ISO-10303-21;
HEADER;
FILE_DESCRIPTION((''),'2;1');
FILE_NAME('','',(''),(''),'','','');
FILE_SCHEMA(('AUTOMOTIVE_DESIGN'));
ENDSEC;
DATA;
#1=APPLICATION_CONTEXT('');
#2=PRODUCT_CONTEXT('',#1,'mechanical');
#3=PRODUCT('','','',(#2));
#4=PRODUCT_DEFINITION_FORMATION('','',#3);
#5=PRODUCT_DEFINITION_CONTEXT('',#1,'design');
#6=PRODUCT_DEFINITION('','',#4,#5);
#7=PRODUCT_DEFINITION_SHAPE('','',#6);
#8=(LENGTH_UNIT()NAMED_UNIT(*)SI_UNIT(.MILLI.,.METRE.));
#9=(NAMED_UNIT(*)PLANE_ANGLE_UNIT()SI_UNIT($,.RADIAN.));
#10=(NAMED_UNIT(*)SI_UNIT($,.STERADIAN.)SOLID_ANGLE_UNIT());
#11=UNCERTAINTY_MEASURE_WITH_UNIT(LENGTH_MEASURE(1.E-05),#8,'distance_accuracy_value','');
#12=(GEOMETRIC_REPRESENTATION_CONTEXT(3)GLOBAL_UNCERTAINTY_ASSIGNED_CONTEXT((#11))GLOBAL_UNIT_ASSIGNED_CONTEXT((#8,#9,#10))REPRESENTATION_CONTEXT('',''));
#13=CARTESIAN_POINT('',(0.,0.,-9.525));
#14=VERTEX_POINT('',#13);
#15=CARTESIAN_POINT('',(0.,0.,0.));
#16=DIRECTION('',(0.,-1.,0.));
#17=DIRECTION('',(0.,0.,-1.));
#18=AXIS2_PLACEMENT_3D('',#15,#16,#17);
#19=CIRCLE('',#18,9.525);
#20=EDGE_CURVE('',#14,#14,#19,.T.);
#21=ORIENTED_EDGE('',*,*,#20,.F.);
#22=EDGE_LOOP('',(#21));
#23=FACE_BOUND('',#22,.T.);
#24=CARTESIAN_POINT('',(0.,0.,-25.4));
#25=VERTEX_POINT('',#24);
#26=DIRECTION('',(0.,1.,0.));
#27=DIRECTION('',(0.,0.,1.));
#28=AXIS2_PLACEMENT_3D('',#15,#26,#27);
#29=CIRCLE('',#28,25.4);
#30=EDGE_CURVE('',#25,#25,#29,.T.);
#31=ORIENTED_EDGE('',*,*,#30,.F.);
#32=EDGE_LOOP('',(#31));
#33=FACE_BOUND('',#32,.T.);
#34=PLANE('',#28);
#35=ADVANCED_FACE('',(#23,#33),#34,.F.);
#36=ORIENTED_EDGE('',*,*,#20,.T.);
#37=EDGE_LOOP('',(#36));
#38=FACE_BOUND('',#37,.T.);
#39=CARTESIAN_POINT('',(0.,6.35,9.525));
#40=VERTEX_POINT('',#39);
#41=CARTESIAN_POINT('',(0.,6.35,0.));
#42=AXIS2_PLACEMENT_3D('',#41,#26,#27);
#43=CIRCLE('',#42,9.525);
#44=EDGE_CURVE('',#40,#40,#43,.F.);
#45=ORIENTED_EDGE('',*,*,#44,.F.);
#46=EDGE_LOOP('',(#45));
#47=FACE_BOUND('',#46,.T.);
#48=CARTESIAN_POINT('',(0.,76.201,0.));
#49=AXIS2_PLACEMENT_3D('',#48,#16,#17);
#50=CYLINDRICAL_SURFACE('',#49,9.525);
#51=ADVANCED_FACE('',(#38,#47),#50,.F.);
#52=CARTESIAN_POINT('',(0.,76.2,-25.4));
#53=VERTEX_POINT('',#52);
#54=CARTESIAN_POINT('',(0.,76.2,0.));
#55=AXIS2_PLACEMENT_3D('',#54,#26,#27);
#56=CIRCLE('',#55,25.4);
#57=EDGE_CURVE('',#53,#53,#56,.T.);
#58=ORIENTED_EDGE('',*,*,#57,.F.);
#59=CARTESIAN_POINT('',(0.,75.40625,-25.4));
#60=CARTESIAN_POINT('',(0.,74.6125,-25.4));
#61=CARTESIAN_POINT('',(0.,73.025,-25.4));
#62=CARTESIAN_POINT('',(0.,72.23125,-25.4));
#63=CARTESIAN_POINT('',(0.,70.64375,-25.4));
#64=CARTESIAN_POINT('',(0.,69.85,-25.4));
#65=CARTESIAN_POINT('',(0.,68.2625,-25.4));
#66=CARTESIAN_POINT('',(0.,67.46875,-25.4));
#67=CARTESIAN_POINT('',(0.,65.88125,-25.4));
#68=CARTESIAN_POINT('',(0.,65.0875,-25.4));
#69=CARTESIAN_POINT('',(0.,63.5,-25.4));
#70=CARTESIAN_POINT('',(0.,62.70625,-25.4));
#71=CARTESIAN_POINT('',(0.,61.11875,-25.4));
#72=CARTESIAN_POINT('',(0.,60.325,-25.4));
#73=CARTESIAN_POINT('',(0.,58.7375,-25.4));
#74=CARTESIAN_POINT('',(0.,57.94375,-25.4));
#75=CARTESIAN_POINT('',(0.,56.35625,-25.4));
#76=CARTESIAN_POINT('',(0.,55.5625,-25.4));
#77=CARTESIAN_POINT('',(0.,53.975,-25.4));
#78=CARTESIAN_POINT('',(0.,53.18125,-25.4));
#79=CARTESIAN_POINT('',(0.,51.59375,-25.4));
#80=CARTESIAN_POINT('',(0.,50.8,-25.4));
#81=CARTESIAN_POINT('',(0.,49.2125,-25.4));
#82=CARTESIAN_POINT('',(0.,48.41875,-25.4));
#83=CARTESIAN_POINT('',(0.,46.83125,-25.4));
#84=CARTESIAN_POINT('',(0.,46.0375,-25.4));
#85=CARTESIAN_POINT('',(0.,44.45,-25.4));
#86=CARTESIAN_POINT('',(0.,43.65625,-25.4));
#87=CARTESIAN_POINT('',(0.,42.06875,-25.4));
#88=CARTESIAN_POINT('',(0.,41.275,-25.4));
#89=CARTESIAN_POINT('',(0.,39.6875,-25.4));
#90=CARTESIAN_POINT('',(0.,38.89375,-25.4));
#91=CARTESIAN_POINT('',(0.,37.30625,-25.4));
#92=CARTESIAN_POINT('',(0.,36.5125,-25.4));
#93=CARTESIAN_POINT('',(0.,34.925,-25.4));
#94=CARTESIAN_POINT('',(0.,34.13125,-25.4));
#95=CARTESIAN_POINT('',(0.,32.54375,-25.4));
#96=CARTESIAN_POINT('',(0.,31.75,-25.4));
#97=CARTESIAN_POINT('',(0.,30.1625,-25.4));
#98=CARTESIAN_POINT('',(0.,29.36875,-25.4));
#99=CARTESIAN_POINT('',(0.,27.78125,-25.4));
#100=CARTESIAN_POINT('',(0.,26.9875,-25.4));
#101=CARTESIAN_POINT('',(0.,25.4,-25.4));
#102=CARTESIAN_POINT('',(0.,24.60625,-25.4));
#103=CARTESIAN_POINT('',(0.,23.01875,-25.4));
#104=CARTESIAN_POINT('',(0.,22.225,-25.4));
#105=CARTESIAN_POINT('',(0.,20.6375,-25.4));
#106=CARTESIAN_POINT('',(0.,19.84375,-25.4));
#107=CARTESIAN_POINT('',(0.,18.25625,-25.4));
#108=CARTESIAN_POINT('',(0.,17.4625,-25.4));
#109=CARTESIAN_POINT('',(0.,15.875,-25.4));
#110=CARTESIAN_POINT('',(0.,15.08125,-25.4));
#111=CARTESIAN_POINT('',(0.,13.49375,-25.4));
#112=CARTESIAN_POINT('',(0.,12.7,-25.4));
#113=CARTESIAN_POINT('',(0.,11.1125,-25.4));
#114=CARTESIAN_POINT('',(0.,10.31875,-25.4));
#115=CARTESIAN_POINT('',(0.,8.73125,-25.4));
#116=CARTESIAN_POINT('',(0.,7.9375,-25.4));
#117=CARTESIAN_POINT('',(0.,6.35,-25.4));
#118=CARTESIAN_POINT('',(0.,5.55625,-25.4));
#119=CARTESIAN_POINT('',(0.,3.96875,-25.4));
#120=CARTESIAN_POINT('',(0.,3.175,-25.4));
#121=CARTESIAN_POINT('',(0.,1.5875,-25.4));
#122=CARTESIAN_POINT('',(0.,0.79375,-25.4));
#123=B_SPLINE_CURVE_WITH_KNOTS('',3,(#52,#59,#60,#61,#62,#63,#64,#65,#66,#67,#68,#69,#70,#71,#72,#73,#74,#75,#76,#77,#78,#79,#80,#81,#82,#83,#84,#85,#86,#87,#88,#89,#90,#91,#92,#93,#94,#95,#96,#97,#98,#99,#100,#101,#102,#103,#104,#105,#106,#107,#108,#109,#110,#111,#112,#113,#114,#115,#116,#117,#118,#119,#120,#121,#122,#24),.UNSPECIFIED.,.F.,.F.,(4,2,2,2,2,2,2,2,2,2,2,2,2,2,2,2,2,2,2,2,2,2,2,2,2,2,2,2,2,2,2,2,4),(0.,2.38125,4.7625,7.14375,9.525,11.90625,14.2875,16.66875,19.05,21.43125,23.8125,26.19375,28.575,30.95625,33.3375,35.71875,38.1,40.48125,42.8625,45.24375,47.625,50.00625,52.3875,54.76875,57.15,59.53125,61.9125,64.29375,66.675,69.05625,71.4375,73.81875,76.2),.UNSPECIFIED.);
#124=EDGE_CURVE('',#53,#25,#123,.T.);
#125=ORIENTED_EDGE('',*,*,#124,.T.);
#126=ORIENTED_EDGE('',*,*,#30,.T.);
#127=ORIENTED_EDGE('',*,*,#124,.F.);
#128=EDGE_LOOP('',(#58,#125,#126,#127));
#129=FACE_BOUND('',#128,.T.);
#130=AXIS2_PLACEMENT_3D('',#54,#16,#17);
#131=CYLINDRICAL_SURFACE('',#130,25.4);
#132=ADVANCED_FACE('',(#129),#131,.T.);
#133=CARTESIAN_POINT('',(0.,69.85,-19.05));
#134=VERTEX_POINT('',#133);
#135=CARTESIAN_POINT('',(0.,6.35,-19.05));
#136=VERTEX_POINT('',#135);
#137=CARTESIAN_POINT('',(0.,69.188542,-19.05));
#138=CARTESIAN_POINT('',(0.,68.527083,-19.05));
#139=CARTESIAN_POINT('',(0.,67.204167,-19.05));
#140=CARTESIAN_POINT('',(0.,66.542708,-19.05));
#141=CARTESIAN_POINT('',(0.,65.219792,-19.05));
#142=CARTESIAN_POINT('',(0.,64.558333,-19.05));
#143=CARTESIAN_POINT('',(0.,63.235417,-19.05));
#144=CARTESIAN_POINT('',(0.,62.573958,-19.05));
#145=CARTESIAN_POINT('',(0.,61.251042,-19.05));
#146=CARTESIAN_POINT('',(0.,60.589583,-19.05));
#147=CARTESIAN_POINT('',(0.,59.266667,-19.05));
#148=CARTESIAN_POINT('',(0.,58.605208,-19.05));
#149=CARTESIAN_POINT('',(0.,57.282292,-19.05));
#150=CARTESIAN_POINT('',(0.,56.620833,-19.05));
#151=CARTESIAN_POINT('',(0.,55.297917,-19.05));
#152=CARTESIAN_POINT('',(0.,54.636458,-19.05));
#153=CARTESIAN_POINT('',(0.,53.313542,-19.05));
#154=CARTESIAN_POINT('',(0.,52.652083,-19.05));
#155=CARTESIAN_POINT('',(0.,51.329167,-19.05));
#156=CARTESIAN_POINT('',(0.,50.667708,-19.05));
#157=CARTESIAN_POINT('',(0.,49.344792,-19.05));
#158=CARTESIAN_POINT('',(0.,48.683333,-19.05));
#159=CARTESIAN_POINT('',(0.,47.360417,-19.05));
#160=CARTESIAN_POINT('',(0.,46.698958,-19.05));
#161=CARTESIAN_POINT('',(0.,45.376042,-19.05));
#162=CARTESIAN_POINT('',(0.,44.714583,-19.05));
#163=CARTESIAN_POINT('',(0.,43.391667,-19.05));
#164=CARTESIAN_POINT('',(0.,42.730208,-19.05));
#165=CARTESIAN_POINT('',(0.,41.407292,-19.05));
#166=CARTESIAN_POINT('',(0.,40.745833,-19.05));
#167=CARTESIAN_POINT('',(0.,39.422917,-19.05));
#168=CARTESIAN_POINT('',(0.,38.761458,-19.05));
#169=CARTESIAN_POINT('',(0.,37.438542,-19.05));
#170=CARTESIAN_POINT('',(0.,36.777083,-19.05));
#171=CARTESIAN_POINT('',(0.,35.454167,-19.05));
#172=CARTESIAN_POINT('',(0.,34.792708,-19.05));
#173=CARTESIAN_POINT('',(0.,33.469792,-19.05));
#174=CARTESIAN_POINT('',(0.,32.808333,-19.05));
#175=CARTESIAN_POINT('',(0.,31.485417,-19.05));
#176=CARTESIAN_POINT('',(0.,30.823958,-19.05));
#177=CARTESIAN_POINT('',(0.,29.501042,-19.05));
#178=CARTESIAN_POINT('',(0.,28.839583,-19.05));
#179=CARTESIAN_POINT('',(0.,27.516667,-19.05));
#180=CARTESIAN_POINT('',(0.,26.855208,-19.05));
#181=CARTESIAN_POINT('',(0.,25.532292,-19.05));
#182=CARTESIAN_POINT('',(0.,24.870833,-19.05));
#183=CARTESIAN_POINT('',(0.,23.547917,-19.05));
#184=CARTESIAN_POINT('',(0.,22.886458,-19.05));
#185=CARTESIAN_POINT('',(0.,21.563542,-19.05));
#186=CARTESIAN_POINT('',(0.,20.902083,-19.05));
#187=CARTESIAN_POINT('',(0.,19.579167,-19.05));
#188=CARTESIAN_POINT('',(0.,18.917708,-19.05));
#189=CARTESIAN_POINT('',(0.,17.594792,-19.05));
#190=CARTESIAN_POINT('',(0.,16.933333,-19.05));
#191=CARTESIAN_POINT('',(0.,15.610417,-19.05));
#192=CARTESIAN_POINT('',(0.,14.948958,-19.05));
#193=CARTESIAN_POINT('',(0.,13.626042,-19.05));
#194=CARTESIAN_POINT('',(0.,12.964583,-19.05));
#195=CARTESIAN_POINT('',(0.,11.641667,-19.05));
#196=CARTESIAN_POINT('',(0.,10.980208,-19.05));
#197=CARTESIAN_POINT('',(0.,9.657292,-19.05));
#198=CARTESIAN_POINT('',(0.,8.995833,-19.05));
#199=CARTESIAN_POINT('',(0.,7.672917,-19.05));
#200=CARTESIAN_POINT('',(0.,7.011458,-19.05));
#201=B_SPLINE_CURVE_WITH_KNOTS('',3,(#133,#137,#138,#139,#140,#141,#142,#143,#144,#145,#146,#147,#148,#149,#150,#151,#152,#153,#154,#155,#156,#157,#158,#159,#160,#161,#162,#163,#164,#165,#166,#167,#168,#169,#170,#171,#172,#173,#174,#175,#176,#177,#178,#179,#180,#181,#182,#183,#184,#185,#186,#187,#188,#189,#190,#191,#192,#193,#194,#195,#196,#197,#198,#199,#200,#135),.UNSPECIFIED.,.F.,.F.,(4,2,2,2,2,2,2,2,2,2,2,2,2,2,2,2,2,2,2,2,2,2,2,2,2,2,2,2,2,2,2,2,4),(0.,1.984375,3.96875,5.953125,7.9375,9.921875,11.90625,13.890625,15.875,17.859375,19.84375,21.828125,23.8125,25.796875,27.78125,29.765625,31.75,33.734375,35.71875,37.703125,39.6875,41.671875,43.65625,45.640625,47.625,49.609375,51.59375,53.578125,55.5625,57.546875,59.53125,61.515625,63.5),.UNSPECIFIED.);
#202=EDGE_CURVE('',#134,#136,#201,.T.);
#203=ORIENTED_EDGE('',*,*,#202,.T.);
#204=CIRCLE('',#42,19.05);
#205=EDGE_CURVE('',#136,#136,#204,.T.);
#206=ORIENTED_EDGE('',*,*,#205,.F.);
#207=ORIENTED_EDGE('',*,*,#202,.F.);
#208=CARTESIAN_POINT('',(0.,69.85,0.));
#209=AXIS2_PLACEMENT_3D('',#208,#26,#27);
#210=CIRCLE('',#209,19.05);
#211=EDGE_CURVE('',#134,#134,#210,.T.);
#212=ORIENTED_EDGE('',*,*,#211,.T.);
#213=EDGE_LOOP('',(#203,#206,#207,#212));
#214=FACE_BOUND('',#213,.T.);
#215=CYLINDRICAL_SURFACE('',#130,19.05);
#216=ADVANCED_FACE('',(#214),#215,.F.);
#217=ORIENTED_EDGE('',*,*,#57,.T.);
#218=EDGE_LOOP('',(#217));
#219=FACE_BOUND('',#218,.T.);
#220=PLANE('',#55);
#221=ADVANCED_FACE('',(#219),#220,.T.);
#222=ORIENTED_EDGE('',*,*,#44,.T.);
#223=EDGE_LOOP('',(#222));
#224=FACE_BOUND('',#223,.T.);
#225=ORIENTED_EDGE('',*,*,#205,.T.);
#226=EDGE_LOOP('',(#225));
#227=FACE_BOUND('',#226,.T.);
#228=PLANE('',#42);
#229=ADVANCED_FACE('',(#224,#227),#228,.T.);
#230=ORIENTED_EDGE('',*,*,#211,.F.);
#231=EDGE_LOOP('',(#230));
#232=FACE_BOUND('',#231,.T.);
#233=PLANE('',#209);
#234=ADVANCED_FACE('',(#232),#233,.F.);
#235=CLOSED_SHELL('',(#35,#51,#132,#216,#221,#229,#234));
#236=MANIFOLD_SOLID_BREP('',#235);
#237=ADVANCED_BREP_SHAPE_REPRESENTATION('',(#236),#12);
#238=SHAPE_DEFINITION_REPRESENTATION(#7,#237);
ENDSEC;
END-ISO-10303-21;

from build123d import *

# Parameters (mm, degrees)
SKETCH1_R           = 25.4
BOSS_EXTRUDE1_DEPTH = 76.2
SHELL1_T            = 6.35
CUT_EXTRUDE1_REACH  = 86.242
SKETCH2_R           = 9.525


with BuildPart() as part:
    # Sketch1 → Boss-Extrude1 (new body)
    with BuildSketch(Plane(origin=(0, 0, 0), x_dir=(1, 0, 0), z_dir=(0, 1, 0))):
        with Locations(Location((0, 0, 0), (0, 0, 90))):
            Circle(SKETCH1_R)
    extrude(amount=BOSS_EXTRUDE1_DEPTH)

    # Shell1 (no face opened: a closed hollow body)
    add(offset(amount=-SHELL1_T, mode=Mode.PRIVATE), mode=Mode.SUBTRACT)

    # Sketch2 → Cut-Extrude1 (cut, up to next)
    with BuildSketch(Plane.XZ, mode=Mode.PRIVATE) as cut_extrude1_sk1:
        with Locations(Location((0, 0, 0), (0, 0, 270))):
            Circle(SKETCH2_R)
    cut_extrude1_tool1 = extrude(cut_extrude1_sk1.sketch, amount=-CUT_EXTRUDE1_REACH, mode=Mode.PRIVATE) & part.part
    add(cut_extrude1_tool1.solids().sort_by_distance((0, 0, 0))[0], mode=Mode.SUBTRACT)


solid = part.part
